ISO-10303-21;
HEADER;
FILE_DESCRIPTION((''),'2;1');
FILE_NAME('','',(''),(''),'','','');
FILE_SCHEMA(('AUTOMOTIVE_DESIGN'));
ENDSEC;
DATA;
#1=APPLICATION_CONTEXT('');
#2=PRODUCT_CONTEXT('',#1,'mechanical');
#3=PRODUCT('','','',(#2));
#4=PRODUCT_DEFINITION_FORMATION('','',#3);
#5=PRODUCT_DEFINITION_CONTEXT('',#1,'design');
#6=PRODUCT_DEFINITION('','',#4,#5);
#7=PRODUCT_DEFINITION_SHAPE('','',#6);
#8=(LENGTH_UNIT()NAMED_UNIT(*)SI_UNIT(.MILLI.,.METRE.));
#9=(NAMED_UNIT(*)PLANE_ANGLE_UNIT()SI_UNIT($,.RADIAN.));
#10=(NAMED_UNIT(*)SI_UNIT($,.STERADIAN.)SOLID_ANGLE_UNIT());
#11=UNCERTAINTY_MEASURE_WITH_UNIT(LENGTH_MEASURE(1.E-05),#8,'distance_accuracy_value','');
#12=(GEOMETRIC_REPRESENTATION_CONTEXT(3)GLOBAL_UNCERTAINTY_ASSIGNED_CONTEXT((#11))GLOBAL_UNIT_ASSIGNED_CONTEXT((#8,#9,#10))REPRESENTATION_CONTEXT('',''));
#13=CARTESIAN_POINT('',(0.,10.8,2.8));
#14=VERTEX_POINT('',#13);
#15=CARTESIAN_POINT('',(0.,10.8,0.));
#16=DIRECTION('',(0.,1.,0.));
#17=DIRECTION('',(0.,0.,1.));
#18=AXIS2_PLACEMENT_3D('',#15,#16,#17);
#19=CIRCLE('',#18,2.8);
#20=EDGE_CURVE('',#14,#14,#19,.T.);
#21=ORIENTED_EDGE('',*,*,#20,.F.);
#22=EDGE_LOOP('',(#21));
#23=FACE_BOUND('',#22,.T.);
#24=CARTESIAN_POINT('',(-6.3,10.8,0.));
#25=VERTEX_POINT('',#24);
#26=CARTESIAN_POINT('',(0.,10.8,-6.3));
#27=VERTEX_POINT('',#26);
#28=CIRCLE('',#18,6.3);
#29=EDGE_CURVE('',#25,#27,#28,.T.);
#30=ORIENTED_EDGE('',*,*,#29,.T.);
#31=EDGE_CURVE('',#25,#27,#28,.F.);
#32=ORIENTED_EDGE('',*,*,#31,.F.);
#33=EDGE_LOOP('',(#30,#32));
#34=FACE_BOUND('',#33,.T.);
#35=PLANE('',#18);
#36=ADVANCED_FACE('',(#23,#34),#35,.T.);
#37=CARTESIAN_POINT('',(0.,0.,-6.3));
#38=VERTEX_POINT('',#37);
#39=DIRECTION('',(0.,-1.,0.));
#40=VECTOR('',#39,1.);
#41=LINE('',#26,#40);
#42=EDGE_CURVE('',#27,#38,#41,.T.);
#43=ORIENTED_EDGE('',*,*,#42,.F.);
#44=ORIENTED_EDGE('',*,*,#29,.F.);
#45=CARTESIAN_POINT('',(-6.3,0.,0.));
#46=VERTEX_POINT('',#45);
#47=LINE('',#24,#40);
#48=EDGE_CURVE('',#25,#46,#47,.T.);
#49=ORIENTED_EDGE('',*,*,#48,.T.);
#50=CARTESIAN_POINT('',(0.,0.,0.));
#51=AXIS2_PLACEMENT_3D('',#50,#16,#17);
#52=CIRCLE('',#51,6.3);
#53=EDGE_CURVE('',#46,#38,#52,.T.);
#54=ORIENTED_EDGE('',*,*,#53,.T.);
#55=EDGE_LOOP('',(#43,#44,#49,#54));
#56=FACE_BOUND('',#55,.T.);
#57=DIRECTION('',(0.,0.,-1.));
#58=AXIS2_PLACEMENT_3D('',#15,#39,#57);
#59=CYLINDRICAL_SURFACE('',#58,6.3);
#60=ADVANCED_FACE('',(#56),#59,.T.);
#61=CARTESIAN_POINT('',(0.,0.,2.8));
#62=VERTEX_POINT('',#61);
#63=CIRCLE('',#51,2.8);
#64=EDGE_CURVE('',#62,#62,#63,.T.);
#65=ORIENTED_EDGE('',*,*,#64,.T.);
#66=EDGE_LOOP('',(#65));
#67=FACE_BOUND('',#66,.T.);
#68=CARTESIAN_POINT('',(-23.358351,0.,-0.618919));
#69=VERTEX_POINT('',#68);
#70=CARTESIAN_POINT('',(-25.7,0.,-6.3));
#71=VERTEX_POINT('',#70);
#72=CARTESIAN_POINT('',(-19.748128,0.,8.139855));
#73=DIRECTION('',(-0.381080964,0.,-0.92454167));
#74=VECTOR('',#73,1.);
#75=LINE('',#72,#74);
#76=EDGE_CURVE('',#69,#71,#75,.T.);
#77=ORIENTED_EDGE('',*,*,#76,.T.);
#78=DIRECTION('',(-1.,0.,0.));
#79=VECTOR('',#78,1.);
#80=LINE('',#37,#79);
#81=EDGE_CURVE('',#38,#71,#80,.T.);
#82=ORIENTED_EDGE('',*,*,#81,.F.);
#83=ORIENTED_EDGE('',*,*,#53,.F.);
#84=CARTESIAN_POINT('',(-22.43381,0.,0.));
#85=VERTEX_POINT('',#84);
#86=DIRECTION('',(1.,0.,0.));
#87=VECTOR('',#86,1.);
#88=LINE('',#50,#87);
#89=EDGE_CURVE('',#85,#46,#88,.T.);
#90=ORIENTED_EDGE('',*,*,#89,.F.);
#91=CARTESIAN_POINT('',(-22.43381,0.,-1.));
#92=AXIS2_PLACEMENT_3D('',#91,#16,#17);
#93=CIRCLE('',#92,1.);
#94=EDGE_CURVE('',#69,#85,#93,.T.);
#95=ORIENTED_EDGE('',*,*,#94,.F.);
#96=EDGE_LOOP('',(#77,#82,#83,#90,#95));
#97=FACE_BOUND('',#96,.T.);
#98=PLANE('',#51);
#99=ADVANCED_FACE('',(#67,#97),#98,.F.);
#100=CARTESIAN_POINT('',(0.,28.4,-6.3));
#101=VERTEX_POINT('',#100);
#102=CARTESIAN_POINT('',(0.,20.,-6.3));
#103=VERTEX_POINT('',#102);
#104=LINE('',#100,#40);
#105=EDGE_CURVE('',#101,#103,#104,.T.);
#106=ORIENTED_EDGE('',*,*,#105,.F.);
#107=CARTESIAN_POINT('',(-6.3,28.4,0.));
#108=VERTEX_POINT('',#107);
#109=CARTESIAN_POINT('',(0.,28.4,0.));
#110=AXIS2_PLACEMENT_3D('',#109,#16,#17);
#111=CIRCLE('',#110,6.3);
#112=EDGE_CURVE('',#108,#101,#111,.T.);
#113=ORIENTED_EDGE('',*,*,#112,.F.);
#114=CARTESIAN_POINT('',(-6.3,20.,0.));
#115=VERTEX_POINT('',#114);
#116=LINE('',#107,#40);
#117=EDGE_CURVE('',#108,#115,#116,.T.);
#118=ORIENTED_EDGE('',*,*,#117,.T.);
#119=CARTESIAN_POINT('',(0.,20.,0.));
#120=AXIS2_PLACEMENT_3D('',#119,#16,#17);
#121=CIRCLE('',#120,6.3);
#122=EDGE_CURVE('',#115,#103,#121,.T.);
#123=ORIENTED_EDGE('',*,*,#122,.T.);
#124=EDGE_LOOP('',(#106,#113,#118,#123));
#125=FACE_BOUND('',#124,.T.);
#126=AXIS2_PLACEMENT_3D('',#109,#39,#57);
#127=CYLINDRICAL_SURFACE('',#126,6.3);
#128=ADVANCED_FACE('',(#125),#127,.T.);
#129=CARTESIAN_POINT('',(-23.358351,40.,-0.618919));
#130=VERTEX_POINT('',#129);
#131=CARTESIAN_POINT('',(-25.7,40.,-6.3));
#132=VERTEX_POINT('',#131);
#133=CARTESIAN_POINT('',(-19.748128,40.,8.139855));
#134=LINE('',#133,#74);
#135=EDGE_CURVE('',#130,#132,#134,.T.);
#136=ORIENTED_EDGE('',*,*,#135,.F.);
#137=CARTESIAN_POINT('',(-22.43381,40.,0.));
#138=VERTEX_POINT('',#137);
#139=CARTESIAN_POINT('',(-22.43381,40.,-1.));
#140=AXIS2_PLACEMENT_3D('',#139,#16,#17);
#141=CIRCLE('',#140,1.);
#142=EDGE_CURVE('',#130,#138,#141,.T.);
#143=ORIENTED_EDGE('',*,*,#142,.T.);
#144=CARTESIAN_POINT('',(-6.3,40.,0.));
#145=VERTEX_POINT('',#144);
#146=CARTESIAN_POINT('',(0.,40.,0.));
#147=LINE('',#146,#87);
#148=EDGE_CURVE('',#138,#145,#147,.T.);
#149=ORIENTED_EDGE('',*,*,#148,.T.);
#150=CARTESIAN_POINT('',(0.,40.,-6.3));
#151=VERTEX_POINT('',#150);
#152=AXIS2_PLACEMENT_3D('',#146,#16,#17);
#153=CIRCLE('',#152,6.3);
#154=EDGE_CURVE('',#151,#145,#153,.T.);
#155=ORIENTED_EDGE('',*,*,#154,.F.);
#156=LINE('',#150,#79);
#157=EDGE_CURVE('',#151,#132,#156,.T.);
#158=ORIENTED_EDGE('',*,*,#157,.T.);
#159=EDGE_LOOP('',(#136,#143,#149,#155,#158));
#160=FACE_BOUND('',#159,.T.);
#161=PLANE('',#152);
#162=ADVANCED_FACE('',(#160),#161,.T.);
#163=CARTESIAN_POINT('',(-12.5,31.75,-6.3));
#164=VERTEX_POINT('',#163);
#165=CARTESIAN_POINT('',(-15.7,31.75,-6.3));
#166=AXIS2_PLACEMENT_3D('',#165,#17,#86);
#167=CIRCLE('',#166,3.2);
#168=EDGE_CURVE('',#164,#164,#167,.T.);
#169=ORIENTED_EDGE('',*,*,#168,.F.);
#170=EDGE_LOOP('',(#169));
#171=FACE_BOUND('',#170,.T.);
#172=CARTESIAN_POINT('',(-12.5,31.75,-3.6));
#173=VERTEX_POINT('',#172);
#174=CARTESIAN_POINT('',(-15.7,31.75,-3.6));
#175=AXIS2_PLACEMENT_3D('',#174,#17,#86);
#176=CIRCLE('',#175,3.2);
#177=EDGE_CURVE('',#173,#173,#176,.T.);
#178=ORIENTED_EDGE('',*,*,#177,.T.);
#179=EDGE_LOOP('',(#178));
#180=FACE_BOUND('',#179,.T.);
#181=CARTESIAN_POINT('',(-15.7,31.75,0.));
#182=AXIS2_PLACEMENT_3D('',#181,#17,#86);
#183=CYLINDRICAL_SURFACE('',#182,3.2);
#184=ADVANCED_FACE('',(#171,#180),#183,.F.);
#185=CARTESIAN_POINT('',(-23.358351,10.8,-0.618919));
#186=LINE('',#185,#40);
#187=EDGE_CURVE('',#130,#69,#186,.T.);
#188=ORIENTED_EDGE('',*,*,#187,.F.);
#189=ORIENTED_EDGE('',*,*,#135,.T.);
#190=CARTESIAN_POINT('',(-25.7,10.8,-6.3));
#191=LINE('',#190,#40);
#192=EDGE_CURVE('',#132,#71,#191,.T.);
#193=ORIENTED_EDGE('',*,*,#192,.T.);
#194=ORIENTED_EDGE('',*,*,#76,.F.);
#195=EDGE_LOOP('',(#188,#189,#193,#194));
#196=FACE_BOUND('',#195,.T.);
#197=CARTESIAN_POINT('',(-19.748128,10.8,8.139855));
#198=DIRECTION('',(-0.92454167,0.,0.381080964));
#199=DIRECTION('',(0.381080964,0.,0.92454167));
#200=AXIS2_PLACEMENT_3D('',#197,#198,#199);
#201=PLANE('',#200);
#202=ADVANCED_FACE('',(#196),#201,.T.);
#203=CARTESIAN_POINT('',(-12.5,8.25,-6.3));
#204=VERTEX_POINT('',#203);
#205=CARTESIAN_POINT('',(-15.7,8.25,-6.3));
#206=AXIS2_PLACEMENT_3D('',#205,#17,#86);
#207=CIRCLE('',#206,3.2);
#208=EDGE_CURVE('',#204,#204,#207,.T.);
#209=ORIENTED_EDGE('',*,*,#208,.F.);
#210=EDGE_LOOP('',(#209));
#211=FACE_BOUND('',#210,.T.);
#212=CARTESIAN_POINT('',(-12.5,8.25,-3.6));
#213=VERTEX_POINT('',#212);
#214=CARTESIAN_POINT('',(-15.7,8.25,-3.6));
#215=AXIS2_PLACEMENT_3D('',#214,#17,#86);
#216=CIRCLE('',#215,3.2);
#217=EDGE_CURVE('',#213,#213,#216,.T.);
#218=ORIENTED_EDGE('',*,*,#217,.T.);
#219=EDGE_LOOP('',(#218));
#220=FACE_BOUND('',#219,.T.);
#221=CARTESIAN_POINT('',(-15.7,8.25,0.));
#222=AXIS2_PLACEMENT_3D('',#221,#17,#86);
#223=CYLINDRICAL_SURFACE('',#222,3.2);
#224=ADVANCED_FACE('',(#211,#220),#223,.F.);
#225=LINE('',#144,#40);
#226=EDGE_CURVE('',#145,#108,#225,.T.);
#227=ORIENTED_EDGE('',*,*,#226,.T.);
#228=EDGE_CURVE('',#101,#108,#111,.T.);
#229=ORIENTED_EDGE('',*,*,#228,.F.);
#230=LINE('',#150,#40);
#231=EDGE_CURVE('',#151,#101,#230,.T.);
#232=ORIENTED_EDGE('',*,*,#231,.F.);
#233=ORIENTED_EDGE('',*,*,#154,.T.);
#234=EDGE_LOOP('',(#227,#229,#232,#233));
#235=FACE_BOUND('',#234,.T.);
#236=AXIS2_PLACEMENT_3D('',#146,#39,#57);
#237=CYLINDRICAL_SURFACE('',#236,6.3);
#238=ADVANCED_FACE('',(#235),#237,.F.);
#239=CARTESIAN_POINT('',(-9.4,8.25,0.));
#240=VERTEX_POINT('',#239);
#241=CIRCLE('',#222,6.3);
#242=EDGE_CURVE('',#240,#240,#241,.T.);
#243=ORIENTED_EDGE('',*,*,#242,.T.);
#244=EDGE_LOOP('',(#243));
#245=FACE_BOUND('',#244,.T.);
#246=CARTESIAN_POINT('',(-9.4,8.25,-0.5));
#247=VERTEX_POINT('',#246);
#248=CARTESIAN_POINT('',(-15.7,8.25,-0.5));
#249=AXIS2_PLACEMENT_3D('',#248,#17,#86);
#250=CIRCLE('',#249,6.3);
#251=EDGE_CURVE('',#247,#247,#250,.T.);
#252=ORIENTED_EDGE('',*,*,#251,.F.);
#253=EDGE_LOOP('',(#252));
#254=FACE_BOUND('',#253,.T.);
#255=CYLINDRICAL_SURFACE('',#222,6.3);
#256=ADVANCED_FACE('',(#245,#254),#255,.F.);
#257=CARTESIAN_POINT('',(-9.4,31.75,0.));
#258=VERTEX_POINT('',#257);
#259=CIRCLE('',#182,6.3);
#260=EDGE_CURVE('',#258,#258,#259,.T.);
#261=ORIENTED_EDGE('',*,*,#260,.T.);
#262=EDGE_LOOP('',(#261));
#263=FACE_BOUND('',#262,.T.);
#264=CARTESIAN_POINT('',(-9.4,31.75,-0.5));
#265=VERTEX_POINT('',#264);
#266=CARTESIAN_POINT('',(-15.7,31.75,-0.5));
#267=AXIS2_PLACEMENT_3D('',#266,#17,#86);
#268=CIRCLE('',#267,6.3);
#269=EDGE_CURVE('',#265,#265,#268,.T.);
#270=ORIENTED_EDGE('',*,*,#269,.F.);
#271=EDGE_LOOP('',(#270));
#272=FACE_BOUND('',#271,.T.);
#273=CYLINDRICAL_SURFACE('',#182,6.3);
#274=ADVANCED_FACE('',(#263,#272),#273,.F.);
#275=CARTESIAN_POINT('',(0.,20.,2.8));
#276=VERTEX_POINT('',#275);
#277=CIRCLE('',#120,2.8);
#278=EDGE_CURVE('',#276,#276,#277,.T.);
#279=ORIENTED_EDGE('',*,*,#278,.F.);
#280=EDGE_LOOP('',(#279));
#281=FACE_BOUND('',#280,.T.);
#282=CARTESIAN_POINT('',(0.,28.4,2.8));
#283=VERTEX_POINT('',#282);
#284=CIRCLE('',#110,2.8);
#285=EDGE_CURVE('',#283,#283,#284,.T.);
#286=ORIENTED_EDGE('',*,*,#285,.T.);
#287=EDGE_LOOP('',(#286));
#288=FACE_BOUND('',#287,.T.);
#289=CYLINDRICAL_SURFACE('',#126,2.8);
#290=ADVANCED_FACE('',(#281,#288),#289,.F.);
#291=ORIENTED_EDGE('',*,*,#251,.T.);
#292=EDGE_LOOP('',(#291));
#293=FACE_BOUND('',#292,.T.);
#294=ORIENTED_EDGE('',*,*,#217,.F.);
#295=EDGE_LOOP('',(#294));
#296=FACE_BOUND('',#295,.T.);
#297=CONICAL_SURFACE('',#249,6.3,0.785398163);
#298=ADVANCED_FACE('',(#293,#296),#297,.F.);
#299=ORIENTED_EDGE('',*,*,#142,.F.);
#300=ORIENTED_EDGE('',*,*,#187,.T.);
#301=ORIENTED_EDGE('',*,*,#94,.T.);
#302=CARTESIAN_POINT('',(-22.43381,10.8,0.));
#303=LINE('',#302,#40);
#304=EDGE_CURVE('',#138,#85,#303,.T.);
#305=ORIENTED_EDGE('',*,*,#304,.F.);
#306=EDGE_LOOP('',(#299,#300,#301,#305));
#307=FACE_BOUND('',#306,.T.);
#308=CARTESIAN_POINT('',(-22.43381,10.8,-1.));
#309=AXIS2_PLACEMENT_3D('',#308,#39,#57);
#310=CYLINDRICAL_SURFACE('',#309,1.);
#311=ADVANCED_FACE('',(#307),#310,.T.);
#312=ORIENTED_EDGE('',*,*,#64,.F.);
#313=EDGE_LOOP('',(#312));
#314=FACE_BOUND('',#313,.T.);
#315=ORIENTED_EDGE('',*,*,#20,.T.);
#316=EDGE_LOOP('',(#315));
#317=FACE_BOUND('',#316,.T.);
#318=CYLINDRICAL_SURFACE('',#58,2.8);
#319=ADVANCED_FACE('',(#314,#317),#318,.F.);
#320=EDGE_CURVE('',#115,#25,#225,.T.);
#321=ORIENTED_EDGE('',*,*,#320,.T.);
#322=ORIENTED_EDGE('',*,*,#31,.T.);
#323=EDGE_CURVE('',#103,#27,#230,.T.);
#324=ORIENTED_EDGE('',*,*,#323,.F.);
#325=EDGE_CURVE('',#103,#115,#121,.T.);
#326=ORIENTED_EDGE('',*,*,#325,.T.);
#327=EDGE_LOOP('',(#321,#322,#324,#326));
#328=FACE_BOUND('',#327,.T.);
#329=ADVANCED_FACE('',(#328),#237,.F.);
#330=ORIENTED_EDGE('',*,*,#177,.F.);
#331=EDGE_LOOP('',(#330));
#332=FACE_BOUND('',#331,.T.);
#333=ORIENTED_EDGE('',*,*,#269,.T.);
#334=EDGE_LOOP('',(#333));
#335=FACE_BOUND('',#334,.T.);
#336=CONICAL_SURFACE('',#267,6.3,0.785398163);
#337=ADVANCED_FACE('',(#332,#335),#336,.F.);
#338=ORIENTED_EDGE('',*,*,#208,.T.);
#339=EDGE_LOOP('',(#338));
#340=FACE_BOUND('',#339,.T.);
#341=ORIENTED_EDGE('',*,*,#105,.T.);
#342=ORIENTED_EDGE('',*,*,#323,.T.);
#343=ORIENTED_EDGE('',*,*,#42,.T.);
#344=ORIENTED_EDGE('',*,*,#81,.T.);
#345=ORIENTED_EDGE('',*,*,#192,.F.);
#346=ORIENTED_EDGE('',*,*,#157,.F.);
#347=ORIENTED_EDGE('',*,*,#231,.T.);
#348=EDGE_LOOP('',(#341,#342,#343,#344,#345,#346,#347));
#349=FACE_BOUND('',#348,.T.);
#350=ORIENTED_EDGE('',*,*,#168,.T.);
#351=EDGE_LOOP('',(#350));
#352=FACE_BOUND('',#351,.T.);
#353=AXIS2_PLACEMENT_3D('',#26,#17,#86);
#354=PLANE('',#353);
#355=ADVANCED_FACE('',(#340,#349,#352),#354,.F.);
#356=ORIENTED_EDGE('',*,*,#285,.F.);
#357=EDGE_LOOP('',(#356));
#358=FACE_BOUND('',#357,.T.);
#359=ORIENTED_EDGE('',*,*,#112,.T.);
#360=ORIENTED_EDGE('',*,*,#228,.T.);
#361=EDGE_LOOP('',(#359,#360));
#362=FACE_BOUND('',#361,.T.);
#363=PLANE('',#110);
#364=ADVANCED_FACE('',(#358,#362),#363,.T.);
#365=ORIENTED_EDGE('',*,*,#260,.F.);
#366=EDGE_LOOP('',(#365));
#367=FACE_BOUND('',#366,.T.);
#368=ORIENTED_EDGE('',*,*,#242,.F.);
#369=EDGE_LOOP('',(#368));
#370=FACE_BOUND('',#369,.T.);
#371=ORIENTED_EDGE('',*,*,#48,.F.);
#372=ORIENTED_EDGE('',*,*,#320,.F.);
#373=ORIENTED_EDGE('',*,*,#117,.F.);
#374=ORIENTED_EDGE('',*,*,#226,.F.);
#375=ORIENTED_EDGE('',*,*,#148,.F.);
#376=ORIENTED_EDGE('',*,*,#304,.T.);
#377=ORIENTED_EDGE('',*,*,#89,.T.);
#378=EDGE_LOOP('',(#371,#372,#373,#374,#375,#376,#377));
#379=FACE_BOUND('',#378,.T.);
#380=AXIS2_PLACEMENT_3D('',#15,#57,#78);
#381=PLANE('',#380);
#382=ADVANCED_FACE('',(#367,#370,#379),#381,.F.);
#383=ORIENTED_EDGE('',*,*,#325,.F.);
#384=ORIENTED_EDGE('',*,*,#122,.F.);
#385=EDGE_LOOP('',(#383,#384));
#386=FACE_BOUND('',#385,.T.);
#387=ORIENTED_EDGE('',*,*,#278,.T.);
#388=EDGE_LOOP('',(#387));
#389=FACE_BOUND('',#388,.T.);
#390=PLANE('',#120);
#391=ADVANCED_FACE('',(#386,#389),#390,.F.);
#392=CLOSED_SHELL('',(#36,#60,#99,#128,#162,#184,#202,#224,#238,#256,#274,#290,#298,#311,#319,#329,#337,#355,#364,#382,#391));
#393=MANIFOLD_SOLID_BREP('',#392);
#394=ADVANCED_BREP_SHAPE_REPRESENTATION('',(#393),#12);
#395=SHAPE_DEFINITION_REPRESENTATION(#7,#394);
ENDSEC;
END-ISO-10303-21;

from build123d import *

# Parameters (mm, degrees)
SKETCH1_R                                    = 2.8
BOSS_EXTRUDE1_DEPTH                          = 10.8
BOSS_EXTRUDE2_DEPTH                          = 40
BOSS_EXTRUDE5_START                          = 20
SKETCH1_7_R                                  = 2.8
BOSS_EXTRUDE5_DEPTH                          = 8.4
CSK_FOR_M6_COUNTERSUNK_FLAT_HEAD_SCR_2_COUNT = 2
CSK_FOR_M6_COUNTERSUNK_FLAT_HEAD_SCR_2_PITCH = 23.5


with BuildPart() as part:
    # Sketch1 → Boss-Extrude1 (new body)
    with BuildSketch(Plane(origin=(0, 0, 0), x_dir=(1, 0, 0), z_dir=(0, 1, 0))):
        with BuildLine():
            Line((-22.433809621, 0), (-6.3, 0))
            ThreePointArc((-6.3, 0), (4.454772721, -4.454772721), (0, 6.3))
            Line((0, 6.3), (-25.7, 6.3))
            Line((-25.7, 6.3), (-23.358351291, 0.618919036))
            ThreePointArc((-23.358351291, 0.618919036), (-22.990100479, 0.169012346), (-22.433809621, 0))
        make_face()
        Circle(SKETCH1_R, mode=Mode.SUBTRACT)
    extrude(amount=BOSS_EXTRUDE1_DEPTH)

    # Sketch1<3> → Boss-Extrude2 (add)
    with BuildSketch(Plane(origin=(0, 0, 0), x_dir=(1, 0, 0), z_dir=(0, 1, 0))):
        with BuildLine():
            ThreePointArc((-6.3, 0), (-4.454772721, 4.454772721), (0, 6.3))
            Line((0, 6.3), (-25.7, 6.3))
            Line((-25.7, 6.3), (-23.358351291, 0.618919036))
            ThreePointArc((-23.358351291, 0.618919036), (-22.990100479, 0.169012346), (-22.433809621, 0))
            Line((-22.433809621, 0), (-6.3, 0))
        make_face()
    extrude(amount=BOSS_EXTRUDE2_DEPTH)

    # Sketch1<7> → Boss-Extrude5 (add)
    with BuildSketch(Plane(origin=(0, 0, 0), x_dir=(1, 0, 0), z_dir=(0, 1, 0)).offset(BOSS_EXTRUDE5_START)):
        with BuildLine():
            ThreePointArc((6.3, 0), (4.454772721, 4.454772721), (0, 6.3))
            ThreePointArc((0, 6.3), (-4.454772721, 4.454772721), (-6.3, 0))
            ThreePointArc((-6.3, 0), (0, -6.3), (6.3, 0))
        make_face()
        Circle(SKETCH1_7_R, mode=Mode.SUBTRACT)
    extrude(amount=BOSS_EXTRUDE5_DEPTH)

    # Sketch3 → CSK for M6 Countersunk Flat Head Screw1 (revolve, cut)
    with BuildSketch(Plane(origin=(-15.7, 31.75, 0), x_dir=(0, -1, 0), z_dir=(1, 0, 0))):
        Polygon((0, 0), (0, 6.3), (3.2, 6.3), (3.2, 3.6), (6.3, 0.5), (6.3, 0), align=None)
    csk_for_m6_countersunk_flat_head_screw1 = revolve(axis=Axis((-15.7, 31.75, 6.35), (0, 0, -1)), mode=Mode.SUBTRACT)

    # CSK for M6 Countersunk Flat Head Scr 2: CSK for M6 Countersunk Flat Head Screw1 ×2
    with Locations(*[(0, -i * CSK_FOR_M6_COUNTERSUNK_FLAT_HEAD_SCR_2_PITCH, 0) for i in range(1, CSK_FOR_M6_COUNTERSUNK_FLAT_HEAD_SCR_2_COUNT)]):
        add(csk_for_m6_countersunk_flat_head_screw1, mode=Mode.SUBTRACT)


solid = part.part
